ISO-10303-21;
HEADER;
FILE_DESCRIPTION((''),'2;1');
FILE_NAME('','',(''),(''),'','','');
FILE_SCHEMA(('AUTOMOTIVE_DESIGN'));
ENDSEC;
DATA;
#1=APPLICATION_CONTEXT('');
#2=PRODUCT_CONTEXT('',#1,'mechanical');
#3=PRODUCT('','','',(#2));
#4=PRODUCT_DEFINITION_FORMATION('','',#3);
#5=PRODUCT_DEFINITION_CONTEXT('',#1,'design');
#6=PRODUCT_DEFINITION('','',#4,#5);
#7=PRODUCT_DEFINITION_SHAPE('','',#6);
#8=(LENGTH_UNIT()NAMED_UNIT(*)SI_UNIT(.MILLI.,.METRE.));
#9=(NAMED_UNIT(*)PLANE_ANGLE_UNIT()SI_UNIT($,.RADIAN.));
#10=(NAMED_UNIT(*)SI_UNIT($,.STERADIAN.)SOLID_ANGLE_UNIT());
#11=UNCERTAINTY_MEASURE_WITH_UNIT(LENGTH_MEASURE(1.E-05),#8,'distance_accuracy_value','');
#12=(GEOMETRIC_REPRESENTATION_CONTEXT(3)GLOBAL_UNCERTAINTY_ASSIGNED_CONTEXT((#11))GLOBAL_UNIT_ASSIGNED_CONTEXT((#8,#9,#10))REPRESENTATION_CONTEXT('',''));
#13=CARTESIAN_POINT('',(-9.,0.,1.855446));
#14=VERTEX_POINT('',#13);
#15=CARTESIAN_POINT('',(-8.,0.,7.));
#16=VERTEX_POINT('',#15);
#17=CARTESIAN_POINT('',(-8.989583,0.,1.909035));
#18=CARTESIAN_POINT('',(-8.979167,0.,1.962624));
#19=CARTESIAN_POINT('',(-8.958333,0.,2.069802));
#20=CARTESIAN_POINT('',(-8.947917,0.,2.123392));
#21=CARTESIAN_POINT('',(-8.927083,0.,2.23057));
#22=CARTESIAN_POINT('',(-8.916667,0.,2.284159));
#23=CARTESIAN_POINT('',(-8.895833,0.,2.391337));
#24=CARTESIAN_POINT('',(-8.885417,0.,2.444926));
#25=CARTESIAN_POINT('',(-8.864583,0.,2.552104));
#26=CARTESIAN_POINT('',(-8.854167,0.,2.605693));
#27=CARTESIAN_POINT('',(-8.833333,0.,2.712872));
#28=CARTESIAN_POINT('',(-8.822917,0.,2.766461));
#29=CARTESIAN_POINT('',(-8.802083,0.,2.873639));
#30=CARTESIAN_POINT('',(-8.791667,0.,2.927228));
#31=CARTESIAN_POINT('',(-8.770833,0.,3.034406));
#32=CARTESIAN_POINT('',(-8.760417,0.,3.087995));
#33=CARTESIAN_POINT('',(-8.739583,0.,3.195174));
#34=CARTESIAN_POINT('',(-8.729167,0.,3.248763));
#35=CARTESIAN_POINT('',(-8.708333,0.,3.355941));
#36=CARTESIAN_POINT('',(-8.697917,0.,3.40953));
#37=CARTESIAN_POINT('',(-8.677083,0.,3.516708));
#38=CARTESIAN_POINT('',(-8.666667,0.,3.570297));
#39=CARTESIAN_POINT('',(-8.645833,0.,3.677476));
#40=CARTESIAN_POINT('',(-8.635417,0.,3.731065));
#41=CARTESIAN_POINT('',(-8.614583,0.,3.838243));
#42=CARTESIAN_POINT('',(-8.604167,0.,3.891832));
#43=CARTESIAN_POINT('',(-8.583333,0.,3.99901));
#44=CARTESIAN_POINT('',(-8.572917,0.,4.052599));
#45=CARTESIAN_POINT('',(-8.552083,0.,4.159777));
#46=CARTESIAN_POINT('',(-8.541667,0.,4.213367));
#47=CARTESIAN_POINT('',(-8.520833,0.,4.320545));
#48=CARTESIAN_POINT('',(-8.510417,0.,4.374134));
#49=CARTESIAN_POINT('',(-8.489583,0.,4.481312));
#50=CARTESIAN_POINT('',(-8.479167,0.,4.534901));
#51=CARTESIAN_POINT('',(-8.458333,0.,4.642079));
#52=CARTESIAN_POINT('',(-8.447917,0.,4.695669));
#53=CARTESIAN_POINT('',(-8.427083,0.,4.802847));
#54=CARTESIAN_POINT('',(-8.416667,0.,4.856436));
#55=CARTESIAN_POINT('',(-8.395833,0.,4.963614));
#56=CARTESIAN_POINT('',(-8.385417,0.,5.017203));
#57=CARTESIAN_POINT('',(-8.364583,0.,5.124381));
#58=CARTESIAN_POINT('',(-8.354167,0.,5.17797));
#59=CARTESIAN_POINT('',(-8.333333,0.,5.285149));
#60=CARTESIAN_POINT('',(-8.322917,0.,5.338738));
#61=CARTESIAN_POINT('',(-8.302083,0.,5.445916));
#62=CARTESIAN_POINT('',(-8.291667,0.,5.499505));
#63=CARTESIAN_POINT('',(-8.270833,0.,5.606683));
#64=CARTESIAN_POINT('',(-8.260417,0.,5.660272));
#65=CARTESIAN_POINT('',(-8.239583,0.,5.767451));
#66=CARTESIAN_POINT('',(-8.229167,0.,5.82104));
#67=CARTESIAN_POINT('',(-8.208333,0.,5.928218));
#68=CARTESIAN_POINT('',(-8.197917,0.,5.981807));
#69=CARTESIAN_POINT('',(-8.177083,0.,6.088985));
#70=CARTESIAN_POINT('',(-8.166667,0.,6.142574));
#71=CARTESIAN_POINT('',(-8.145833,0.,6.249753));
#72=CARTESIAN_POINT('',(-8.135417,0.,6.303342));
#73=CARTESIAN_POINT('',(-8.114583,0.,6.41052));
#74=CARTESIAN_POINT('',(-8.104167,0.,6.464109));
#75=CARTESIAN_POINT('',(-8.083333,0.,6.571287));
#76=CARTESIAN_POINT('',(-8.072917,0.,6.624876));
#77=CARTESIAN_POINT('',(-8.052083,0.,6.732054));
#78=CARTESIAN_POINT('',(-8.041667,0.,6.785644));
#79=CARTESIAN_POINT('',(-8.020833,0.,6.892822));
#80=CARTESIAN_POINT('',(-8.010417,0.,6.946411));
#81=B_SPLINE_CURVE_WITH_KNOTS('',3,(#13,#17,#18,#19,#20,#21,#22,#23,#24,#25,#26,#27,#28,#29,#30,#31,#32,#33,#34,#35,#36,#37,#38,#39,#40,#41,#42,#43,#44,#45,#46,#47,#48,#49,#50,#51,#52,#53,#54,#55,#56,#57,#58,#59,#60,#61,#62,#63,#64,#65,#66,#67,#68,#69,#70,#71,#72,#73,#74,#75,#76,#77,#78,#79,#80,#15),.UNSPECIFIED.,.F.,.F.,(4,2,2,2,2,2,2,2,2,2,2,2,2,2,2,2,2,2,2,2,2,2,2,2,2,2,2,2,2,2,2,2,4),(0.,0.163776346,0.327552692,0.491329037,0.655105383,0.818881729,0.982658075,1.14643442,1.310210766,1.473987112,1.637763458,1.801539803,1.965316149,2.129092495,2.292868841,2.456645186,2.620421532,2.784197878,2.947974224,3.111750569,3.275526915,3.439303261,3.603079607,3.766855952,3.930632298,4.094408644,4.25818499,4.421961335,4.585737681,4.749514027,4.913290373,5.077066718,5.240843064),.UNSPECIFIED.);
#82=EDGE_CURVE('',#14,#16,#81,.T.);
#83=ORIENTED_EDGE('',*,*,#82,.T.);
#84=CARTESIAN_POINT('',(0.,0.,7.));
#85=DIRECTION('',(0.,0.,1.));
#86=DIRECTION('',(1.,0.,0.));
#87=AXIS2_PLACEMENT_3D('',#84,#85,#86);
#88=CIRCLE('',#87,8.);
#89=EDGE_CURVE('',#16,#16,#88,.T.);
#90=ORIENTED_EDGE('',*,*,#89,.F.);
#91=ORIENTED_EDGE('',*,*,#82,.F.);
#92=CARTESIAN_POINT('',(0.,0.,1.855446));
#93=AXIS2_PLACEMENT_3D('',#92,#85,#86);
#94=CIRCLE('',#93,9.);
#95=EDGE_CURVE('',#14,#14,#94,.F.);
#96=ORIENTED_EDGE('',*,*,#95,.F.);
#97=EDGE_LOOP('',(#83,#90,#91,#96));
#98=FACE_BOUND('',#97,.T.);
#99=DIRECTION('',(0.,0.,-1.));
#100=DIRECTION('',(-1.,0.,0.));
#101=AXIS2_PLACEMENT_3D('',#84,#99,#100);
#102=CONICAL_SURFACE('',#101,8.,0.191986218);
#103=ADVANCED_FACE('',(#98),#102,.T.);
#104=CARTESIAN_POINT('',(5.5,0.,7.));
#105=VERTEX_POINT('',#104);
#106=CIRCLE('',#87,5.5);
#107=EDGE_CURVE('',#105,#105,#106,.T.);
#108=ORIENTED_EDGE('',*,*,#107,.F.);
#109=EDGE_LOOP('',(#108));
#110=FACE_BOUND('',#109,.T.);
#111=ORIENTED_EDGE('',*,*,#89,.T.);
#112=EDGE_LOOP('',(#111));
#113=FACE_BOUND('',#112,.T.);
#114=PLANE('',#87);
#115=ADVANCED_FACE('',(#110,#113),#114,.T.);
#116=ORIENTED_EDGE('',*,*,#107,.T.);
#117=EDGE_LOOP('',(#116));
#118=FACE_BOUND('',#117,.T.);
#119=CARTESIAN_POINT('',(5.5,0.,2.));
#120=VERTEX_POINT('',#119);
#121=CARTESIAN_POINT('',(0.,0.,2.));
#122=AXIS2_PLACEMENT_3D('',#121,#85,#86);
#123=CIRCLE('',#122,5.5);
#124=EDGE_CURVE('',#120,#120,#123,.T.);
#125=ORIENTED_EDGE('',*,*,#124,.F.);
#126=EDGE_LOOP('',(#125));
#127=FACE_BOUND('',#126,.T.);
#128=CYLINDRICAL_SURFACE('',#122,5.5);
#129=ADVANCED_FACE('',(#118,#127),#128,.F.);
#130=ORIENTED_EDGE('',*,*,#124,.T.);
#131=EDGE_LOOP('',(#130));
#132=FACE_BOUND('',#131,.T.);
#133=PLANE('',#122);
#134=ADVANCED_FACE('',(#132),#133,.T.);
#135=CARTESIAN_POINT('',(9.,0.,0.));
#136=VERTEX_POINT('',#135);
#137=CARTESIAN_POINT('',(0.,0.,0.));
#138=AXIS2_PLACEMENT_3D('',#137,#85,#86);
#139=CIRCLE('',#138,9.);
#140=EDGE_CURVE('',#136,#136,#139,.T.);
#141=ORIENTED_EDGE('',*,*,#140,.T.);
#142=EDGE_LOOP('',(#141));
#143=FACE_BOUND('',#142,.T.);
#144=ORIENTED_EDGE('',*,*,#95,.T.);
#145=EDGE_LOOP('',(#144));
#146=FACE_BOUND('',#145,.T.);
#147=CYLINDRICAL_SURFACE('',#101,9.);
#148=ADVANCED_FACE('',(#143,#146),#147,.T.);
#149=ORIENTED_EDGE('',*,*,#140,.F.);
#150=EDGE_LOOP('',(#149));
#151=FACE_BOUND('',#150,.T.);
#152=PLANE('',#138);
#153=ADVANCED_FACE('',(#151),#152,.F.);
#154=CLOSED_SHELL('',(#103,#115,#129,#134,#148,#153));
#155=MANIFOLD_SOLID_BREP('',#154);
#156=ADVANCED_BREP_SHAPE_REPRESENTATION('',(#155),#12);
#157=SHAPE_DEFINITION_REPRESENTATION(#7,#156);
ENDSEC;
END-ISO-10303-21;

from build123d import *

# Parameters (mm, degrees)
SKETCH1_R           = 9
BOSS_EXTRUDE1_DEPTH = 7
SKETCH2_R           = 5.5
CUT_EXTRUDE1_DEPTH  = 5
CHAMFER1_SIZE       = 1
CHAMFER1_SIZE2      = 5.144554016


with BuildPart() as part:
    # Sketch1 → Boss-Extrude1 (new body)
    with BuildSketch(Plane.XY):
        Circle(SKETCH1_R)
    extrude(amount=BOSS_EXTRUDE1_DEPTH)

    # Sketch2 → Cut-Extrude1 (cut)
    with BuildSketch(Plane.XY.offset(7)):
        Circle(SKETCH2_R)
    extrude(amount=-CUT_EXTRUDE1_DEPTH, mode=Mode.SUBTRACT)

    # Chamfer1
    chamfer1_edges = [part.edges().sort_by_distance(p)[0] for p in [
        (-9, 0, 7),
    ]]
    chamfer1_side = [part.faces().sort_by_distance(p)[0] for p in [
        (-8.745441559, 0, 7),
    ]]
    chamfer(chamfer1_edges, length=CHAMFER1_SIZE, length2=CHAMFER1_SIZE2, reference=chamfer1_side[0])


solid = part.part
